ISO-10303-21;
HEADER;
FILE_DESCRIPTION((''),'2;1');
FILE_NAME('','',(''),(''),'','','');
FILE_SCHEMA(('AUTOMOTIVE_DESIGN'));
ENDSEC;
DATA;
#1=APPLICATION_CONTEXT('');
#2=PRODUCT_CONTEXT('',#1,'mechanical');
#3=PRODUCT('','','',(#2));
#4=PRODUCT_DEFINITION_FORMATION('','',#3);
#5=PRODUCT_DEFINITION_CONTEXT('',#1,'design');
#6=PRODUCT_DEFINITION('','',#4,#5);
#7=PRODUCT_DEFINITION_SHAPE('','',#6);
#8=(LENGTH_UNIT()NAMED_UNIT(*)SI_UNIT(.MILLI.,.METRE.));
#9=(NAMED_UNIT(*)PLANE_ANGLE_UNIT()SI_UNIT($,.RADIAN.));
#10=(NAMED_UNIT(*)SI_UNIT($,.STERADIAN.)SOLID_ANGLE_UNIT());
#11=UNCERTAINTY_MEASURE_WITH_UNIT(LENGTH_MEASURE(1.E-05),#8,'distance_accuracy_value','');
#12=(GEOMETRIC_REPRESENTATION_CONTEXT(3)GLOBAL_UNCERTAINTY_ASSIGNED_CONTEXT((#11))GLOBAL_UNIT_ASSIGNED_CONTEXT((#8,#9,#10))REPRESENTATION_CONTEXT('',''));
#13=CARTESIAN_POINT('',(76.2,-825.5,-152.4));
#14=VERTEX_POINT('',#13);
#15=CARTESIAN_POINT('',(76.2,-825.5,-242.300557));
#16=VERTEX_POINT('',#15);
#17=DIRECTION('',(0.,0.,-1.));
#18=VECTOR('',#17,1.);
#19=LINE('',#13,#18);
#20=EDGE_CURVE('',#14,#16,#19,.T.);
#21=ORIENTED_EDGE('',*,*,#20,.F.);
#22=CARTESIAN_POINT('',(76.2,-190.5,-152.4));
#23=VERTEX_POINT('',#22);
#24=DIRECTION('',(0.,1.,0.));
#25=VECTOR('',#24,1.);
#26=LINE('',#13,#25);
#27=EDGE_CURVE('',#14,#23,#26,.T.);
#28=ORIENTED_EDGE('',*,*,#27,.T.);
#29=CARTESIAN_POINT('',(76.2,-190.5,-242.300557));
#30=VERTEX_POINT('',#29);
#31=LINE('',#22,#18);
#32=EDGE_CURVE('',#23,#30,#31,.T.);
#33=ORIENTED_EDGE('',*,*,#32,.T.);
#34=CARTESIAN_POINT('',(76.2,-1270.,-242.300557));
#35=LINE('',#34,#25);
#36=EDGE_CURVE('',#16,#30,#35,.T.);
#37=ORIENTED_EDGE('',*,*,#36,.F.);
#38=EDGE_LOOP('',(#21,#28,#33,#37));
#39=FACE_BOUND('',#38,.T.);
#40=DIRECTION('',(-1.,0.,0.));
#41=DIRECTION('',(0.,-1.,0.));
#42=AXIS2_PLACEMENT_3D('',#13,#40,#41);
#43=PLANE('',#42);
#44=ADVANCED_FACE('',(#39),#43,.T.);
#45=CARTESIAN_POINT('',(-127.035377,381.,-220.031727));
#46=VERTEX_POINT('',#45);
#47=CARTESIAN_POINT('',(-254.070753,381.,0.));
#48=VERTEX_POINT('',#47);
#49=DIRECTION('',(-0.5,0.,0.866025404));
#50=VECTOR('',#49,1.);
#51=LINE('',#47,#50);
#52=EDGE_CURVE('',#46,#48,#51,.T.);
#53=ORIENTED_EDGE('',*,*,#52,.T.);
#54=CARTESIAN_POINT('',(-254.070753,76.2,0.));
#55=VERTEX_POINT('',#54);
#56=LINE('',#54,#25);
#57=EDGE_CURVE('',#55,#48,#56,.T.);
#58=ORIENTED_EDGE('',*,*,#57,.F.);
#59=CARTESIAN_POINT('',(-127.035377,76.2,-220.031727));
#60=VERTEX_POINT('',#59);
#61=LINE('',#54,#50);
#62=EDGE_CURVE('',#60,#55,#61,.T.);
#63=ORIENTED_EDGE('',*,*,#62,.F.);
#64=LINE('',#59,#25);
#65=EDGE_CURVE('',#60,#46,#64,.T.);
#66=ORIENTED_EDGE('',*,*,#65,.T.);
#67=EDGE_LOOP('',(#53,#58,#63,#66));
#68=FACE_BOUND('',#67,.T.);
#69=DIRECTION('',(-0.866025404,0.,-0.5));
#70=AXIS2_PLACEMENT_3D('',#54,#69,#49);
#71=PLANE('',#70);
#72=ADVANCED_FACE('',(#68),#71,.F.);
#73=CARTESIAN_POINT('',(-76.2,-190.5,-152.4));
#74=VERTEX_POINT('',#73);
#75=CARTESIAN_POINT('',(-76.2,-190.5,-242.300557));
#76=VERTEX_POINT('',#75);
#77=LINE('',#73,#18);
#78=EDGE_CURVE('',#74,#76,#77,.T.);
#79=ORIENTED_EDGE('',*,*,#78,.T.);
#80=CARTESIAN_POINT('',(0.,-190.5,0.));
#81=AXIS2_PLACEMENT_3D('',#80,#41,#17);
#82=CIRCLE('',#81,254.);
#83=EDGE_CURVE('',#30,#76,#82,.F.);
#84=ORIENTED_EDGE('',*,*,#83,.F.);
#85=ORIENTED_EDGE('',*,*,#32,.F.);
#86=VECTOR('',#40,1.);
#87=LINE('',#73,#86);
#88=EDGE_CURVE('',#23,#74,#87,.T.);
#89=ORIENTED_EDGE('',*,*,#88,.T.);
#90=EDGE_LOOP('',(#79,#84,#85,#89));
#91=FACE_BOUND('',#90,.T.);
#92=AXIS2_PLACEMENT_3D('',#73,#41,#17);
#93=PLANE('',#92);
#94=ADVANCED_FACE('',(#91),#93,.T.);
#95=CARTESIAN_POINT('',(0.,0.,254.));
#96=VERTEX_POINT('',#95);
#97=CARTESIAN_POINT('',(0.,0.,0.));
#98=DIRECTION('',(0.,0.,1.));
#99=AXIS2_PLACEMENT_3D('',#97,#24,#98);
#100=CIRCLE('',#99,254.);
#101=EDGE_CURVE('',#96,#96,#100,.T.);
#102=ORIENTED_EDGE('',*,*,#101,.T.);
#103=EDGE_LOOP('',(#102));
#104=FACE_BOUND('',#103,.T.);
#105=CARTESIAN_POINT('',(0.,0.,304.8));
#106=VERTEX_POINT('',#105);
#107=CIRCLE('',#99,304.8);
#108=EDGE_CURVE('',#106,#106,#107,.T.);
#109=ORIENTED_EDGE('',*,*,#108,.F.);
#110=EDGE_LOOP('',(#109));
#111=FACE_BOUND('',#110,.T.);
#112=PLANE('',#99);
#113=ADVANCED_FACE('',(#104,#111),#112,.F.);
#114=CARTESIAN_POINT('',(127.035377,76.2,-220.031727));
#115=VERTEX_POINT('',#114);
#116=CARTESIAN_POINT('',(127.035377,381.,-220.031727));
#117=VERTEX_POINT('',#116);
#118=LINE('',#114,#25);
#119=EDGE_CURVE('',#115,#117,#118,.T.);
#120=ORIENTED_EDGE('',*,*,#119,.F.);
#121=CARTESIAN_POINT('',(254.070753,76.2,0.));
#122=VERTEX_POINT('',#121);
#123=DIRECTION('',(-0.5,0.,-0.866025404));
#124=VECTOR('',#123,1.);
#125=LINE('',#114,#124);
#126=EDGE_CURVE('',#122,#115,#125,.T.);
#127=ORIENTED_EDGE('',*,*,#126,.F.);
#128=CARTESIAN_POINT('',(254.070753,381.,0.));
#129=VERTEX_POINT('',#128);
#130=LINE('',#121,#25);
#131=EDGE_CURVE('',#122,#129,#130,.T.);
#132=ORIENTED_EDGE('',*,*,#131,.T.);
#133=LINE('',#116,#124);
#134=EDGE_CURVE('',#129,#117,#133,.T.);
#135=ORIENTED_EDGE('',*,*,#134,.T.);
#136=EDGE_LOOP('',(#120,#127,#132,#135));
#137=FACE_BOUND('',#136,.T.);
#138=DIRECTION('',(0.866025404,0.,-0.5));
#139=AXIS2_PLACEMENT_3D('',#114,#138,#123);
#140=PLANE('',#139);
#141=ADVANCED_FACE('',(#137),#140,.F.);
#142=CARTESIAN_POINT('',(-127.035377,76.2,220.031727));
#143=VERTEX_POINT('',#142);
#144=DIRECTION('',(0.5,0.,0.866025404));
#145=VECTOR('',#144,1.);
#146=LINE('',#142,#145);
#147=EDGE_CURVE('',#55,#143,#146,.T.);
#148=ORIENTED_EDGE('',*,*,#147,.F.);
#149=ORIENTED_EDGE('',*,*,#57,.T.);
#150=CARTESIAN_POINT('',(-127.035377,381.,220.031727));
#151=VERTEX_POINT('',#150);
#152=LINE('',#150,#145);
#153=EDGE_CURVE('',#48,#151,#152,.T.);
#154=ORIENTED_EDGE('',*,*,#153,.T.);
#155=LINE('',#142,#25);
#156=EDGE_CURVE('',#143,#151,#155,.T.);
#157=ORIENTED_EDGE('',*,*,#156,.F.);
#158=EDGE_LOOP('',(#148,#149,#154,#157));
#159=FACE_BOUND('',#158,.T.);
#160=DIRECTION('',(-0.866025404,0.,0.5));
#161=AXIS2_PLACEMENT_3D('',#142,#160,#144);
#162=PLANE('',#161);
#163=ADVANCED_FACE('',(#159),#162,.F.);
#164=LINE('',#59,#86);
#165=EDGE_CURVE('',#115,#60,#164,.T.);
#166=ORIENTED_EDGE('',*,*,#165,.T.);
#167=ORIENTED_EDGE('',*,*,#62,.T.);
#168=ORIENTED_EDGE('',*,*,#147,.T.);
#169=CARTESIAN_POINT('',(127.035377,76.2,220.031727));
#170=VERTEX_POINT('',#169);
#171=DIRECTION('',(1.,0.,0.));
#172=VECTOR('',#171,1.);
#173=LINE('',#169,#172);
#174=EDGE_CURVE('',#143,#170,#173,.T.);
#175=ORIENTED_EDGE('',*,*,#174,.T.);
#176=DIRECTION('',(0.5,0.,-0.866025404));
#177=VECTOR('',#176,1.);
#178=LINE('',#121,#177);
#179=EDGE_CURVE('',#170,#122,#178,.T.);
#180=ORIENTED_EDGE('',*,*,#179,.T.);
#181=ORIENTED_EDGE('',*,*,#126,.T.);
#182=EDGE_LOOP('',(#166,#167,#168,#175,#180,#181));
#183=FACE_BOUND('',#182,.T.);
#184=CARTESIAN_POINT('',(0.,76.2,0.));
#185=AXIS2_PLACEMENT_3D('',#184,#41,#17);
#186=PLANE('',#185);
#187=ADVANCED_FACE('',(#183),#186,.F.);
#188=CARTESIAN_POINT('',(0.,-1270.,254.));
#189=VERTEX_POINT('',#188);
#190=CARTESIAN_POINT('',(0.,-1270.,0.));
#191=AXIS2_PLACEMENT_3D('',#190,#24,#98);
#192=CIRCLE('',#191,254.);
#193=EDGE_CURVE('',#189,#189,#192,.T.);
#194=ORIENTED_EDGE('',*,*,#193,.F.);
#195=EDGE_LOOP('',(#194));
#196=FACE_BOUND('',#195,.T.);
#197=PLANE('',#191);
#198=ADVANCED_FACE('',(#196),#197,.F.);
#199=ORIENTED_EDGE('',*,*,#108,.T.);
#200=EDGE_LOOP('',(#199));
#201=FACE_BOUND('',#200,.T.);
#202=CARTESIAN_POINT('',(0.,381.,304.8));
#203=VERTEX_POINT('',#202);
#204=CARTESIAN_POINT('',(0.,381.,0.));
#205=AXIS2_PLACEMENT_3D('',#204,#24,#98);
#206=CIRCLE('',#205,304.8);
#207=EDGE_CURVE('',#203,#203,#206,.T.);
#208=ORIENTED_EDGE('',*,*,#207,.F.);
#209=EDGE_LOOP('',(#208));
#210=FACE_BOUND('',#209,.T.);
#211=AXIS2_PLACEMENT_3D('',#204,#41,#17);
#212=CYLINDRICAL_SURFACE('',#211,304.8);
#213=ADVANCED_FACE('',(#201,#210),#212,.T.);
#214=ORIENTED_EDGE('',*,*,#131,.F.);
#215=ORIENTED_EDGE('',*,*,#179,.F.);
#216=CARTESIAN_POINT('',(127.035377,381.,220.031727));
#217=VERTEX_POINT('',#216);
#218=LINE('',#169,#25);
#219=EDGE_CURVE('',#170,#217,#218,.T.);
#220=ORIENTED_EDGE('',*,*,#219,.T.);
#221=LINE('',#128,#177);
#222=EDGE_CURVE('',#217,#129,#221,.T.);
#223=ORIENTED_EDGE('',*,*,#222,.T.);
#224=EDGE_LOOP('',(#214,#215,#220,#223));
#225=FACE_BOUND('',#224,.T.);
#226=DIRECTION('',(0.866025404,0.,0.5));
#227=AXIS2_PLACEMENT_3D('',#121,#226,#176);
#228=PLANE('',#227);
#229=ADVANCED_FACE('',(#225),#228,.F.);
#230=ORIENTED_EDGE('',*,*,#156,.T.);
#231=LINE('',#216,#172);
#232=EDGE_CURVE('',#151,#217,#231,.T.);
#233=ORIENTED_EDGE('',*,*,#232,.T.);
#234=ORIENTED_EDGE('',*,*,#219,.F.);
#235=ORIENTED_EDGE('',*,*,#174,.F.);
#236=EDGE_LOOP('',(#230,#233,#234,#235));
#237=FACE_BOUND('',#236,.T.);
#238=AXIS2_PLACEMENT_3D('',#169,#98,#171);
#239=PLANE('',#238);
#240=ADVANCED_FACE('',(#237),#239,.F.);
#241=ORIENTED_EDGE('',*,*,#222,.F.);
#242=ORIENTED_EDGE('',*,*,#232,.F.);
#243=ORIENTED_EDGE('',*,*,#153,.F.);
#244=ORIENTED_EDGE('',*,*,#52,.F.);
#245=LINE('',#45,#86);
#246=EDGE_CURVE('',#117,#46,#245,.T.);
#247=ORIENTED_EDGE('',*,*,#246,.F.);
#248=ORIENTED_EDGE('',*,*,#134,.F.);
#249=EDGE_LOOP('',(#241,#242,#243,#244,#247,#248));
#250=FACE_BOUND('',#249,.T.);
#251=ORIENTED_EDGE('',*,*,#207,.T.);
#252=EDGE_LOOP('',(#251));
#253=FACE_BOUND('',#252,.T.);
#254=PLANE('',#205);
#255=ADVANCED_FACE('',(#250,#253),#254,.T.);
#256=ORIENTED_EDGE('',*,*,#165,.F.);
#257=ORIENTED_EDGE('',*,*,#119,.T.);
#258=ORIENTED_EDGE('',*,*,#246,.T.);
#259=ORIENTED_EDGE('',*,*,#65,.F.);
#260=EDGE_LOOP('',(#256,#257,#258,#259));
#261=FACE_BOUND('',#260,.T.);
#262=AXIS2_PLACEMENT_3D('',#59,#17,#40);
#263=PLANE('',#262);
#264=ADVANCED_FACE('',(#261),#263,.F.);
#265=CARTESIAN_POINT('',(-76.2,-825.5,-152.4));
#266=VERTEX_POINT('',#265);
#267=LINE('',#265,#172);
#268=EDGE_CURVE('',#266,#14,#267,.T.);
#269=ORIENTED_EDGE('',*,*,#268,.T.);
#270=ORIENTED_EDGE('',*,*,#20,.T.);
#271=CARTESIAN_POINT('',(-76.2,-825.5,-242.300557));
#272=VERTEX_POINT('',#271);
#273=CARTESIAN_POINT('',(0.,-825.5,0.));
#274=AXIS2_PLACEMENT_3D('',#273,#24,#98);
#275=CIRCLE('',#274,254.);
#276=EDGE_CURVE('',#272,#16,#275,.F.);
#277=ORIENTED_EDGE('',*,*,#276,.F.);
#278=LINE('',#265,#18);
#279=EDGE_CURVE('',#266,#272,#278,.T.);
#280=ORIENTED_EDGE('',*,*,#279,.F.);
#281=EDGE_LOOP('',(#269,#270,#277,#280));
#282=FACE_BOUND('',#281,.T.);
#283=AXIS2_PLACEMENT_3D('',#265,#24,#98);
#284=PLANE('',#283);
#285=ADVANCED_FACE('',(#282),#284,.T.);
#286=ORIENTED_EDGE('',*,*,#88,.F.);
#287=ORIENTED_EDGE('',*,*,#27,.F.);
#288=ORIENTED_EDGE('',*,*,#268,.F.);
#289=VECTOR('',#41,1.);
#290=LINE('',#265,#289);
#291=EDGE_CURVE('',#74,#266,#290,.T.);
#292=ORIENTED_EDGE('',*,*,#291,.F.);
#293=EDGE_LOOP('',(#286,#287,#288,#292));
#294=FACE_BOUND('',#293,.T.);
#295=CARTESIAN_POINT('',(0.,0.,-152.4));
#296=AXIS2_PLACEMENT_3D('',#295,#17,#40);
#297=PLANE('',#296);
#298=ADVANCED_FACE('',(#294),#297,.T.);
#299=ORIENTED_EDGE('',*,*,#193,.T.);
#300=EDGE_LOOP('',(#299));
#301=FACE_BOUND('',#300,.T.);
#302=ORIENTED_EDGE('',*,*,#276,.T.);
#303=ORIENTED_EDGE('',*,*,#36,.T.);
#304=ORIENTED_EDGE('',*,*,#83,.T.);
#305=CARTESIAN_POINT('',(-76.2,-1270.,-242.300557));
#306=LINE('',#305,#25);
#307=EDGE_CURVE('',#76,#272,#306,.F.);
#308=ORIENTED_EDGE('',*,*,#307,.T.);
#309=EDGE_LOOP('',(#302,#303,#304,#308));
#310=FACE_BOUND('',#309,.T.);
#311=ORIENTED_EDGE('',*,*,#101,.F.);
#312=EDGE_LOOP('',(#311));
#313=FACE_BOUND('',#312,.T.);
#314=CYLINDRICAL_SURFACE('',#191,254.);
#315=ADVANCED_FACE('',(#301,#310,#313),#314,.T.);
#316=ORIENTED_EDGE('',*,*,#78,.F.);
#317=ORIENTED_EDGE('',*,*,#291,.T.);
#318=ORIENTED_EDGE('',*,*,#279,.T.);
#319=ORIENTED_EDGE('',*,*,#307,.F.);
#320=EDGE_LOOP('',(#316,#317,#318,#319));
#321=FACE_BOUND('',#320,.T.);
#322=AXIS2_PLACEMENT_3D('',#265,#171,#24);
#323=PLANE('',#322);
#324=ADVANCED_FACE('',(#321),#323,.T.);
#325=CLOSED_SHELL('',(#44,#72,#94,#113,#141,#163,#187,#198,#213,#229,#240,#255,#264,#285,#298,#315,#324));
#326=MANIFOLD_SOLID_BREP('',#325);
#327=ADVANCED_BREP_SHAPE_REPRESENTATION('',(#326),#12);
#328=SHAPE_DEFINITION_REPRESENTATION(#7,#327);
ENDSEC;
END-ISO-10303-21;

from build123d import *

# Parameters (mm, degrees)
SKETCH1_R           = 254
BOSS_EXTRUDE1_DEPTH = 1270
SKETCH2_R           = 304.8
BOSS_EXTRUDE2_DEPTH = 381
CUT_EXTRUDE1_DEPTH  = 304.8
SKETCH4_W           = 152.4
SKETCH4_H           = 635
CUT_EXTRUDE2_DEPTH  = 101.6


with BuildPart() as part:
    # Sketch1 → Boss-Extrude1 (new body)
    with BuildSketch(Plane(origin=(0, 0, 0), x_dir=(1, 0, 0), z_dir=(0, 1, 0))):
        Circle(SKETCH1_R)
    extrude(amount=-BOSS_EXTRUDE1_DEPTH)

    # Sketch2 → Boss-Extrude2 (add)
    with BuildSketch(Plane(origin=(0, 0, 0), x_dir=(1, 0, 0), z_dir=(0, 1, 0))):
        Circle(SKETCH2_R)
    extrude(amount=BOSS_EXTRUDE2_DEPTH)

    # Sketch3 → Cut-Extrude1 (cut)
    with BuildSketch(Plane(origin=(0, 381, 0), x_dir=(1, 0, 0), z_dir=(0, 1, 0))):
        Polygon((-127.035376657, 220.031726729), (127.035376657, 220.031726729), (254.070753314, 0), (127.035376657, -220.031726729), (-127.035376657, -220.031726729), (-254.070753314, 0), align=None)
    extrude(amount=-CUT_EXTRUDE1_DEPTH, mode=Mode.SUBTRACT)

    # Sketch4 → Cut-Extrude2 (cut)
    with BuildSketch(Plane.XY.offset(-254)):
        with Locations((0, -508)):
            Rectangle(SKETCH4_W, SKETCH4_H)
    extrude(amount=CUT_EXTRUDE2_DEPTH, mode=Mode.SUBTRACT)


solid = part.part
